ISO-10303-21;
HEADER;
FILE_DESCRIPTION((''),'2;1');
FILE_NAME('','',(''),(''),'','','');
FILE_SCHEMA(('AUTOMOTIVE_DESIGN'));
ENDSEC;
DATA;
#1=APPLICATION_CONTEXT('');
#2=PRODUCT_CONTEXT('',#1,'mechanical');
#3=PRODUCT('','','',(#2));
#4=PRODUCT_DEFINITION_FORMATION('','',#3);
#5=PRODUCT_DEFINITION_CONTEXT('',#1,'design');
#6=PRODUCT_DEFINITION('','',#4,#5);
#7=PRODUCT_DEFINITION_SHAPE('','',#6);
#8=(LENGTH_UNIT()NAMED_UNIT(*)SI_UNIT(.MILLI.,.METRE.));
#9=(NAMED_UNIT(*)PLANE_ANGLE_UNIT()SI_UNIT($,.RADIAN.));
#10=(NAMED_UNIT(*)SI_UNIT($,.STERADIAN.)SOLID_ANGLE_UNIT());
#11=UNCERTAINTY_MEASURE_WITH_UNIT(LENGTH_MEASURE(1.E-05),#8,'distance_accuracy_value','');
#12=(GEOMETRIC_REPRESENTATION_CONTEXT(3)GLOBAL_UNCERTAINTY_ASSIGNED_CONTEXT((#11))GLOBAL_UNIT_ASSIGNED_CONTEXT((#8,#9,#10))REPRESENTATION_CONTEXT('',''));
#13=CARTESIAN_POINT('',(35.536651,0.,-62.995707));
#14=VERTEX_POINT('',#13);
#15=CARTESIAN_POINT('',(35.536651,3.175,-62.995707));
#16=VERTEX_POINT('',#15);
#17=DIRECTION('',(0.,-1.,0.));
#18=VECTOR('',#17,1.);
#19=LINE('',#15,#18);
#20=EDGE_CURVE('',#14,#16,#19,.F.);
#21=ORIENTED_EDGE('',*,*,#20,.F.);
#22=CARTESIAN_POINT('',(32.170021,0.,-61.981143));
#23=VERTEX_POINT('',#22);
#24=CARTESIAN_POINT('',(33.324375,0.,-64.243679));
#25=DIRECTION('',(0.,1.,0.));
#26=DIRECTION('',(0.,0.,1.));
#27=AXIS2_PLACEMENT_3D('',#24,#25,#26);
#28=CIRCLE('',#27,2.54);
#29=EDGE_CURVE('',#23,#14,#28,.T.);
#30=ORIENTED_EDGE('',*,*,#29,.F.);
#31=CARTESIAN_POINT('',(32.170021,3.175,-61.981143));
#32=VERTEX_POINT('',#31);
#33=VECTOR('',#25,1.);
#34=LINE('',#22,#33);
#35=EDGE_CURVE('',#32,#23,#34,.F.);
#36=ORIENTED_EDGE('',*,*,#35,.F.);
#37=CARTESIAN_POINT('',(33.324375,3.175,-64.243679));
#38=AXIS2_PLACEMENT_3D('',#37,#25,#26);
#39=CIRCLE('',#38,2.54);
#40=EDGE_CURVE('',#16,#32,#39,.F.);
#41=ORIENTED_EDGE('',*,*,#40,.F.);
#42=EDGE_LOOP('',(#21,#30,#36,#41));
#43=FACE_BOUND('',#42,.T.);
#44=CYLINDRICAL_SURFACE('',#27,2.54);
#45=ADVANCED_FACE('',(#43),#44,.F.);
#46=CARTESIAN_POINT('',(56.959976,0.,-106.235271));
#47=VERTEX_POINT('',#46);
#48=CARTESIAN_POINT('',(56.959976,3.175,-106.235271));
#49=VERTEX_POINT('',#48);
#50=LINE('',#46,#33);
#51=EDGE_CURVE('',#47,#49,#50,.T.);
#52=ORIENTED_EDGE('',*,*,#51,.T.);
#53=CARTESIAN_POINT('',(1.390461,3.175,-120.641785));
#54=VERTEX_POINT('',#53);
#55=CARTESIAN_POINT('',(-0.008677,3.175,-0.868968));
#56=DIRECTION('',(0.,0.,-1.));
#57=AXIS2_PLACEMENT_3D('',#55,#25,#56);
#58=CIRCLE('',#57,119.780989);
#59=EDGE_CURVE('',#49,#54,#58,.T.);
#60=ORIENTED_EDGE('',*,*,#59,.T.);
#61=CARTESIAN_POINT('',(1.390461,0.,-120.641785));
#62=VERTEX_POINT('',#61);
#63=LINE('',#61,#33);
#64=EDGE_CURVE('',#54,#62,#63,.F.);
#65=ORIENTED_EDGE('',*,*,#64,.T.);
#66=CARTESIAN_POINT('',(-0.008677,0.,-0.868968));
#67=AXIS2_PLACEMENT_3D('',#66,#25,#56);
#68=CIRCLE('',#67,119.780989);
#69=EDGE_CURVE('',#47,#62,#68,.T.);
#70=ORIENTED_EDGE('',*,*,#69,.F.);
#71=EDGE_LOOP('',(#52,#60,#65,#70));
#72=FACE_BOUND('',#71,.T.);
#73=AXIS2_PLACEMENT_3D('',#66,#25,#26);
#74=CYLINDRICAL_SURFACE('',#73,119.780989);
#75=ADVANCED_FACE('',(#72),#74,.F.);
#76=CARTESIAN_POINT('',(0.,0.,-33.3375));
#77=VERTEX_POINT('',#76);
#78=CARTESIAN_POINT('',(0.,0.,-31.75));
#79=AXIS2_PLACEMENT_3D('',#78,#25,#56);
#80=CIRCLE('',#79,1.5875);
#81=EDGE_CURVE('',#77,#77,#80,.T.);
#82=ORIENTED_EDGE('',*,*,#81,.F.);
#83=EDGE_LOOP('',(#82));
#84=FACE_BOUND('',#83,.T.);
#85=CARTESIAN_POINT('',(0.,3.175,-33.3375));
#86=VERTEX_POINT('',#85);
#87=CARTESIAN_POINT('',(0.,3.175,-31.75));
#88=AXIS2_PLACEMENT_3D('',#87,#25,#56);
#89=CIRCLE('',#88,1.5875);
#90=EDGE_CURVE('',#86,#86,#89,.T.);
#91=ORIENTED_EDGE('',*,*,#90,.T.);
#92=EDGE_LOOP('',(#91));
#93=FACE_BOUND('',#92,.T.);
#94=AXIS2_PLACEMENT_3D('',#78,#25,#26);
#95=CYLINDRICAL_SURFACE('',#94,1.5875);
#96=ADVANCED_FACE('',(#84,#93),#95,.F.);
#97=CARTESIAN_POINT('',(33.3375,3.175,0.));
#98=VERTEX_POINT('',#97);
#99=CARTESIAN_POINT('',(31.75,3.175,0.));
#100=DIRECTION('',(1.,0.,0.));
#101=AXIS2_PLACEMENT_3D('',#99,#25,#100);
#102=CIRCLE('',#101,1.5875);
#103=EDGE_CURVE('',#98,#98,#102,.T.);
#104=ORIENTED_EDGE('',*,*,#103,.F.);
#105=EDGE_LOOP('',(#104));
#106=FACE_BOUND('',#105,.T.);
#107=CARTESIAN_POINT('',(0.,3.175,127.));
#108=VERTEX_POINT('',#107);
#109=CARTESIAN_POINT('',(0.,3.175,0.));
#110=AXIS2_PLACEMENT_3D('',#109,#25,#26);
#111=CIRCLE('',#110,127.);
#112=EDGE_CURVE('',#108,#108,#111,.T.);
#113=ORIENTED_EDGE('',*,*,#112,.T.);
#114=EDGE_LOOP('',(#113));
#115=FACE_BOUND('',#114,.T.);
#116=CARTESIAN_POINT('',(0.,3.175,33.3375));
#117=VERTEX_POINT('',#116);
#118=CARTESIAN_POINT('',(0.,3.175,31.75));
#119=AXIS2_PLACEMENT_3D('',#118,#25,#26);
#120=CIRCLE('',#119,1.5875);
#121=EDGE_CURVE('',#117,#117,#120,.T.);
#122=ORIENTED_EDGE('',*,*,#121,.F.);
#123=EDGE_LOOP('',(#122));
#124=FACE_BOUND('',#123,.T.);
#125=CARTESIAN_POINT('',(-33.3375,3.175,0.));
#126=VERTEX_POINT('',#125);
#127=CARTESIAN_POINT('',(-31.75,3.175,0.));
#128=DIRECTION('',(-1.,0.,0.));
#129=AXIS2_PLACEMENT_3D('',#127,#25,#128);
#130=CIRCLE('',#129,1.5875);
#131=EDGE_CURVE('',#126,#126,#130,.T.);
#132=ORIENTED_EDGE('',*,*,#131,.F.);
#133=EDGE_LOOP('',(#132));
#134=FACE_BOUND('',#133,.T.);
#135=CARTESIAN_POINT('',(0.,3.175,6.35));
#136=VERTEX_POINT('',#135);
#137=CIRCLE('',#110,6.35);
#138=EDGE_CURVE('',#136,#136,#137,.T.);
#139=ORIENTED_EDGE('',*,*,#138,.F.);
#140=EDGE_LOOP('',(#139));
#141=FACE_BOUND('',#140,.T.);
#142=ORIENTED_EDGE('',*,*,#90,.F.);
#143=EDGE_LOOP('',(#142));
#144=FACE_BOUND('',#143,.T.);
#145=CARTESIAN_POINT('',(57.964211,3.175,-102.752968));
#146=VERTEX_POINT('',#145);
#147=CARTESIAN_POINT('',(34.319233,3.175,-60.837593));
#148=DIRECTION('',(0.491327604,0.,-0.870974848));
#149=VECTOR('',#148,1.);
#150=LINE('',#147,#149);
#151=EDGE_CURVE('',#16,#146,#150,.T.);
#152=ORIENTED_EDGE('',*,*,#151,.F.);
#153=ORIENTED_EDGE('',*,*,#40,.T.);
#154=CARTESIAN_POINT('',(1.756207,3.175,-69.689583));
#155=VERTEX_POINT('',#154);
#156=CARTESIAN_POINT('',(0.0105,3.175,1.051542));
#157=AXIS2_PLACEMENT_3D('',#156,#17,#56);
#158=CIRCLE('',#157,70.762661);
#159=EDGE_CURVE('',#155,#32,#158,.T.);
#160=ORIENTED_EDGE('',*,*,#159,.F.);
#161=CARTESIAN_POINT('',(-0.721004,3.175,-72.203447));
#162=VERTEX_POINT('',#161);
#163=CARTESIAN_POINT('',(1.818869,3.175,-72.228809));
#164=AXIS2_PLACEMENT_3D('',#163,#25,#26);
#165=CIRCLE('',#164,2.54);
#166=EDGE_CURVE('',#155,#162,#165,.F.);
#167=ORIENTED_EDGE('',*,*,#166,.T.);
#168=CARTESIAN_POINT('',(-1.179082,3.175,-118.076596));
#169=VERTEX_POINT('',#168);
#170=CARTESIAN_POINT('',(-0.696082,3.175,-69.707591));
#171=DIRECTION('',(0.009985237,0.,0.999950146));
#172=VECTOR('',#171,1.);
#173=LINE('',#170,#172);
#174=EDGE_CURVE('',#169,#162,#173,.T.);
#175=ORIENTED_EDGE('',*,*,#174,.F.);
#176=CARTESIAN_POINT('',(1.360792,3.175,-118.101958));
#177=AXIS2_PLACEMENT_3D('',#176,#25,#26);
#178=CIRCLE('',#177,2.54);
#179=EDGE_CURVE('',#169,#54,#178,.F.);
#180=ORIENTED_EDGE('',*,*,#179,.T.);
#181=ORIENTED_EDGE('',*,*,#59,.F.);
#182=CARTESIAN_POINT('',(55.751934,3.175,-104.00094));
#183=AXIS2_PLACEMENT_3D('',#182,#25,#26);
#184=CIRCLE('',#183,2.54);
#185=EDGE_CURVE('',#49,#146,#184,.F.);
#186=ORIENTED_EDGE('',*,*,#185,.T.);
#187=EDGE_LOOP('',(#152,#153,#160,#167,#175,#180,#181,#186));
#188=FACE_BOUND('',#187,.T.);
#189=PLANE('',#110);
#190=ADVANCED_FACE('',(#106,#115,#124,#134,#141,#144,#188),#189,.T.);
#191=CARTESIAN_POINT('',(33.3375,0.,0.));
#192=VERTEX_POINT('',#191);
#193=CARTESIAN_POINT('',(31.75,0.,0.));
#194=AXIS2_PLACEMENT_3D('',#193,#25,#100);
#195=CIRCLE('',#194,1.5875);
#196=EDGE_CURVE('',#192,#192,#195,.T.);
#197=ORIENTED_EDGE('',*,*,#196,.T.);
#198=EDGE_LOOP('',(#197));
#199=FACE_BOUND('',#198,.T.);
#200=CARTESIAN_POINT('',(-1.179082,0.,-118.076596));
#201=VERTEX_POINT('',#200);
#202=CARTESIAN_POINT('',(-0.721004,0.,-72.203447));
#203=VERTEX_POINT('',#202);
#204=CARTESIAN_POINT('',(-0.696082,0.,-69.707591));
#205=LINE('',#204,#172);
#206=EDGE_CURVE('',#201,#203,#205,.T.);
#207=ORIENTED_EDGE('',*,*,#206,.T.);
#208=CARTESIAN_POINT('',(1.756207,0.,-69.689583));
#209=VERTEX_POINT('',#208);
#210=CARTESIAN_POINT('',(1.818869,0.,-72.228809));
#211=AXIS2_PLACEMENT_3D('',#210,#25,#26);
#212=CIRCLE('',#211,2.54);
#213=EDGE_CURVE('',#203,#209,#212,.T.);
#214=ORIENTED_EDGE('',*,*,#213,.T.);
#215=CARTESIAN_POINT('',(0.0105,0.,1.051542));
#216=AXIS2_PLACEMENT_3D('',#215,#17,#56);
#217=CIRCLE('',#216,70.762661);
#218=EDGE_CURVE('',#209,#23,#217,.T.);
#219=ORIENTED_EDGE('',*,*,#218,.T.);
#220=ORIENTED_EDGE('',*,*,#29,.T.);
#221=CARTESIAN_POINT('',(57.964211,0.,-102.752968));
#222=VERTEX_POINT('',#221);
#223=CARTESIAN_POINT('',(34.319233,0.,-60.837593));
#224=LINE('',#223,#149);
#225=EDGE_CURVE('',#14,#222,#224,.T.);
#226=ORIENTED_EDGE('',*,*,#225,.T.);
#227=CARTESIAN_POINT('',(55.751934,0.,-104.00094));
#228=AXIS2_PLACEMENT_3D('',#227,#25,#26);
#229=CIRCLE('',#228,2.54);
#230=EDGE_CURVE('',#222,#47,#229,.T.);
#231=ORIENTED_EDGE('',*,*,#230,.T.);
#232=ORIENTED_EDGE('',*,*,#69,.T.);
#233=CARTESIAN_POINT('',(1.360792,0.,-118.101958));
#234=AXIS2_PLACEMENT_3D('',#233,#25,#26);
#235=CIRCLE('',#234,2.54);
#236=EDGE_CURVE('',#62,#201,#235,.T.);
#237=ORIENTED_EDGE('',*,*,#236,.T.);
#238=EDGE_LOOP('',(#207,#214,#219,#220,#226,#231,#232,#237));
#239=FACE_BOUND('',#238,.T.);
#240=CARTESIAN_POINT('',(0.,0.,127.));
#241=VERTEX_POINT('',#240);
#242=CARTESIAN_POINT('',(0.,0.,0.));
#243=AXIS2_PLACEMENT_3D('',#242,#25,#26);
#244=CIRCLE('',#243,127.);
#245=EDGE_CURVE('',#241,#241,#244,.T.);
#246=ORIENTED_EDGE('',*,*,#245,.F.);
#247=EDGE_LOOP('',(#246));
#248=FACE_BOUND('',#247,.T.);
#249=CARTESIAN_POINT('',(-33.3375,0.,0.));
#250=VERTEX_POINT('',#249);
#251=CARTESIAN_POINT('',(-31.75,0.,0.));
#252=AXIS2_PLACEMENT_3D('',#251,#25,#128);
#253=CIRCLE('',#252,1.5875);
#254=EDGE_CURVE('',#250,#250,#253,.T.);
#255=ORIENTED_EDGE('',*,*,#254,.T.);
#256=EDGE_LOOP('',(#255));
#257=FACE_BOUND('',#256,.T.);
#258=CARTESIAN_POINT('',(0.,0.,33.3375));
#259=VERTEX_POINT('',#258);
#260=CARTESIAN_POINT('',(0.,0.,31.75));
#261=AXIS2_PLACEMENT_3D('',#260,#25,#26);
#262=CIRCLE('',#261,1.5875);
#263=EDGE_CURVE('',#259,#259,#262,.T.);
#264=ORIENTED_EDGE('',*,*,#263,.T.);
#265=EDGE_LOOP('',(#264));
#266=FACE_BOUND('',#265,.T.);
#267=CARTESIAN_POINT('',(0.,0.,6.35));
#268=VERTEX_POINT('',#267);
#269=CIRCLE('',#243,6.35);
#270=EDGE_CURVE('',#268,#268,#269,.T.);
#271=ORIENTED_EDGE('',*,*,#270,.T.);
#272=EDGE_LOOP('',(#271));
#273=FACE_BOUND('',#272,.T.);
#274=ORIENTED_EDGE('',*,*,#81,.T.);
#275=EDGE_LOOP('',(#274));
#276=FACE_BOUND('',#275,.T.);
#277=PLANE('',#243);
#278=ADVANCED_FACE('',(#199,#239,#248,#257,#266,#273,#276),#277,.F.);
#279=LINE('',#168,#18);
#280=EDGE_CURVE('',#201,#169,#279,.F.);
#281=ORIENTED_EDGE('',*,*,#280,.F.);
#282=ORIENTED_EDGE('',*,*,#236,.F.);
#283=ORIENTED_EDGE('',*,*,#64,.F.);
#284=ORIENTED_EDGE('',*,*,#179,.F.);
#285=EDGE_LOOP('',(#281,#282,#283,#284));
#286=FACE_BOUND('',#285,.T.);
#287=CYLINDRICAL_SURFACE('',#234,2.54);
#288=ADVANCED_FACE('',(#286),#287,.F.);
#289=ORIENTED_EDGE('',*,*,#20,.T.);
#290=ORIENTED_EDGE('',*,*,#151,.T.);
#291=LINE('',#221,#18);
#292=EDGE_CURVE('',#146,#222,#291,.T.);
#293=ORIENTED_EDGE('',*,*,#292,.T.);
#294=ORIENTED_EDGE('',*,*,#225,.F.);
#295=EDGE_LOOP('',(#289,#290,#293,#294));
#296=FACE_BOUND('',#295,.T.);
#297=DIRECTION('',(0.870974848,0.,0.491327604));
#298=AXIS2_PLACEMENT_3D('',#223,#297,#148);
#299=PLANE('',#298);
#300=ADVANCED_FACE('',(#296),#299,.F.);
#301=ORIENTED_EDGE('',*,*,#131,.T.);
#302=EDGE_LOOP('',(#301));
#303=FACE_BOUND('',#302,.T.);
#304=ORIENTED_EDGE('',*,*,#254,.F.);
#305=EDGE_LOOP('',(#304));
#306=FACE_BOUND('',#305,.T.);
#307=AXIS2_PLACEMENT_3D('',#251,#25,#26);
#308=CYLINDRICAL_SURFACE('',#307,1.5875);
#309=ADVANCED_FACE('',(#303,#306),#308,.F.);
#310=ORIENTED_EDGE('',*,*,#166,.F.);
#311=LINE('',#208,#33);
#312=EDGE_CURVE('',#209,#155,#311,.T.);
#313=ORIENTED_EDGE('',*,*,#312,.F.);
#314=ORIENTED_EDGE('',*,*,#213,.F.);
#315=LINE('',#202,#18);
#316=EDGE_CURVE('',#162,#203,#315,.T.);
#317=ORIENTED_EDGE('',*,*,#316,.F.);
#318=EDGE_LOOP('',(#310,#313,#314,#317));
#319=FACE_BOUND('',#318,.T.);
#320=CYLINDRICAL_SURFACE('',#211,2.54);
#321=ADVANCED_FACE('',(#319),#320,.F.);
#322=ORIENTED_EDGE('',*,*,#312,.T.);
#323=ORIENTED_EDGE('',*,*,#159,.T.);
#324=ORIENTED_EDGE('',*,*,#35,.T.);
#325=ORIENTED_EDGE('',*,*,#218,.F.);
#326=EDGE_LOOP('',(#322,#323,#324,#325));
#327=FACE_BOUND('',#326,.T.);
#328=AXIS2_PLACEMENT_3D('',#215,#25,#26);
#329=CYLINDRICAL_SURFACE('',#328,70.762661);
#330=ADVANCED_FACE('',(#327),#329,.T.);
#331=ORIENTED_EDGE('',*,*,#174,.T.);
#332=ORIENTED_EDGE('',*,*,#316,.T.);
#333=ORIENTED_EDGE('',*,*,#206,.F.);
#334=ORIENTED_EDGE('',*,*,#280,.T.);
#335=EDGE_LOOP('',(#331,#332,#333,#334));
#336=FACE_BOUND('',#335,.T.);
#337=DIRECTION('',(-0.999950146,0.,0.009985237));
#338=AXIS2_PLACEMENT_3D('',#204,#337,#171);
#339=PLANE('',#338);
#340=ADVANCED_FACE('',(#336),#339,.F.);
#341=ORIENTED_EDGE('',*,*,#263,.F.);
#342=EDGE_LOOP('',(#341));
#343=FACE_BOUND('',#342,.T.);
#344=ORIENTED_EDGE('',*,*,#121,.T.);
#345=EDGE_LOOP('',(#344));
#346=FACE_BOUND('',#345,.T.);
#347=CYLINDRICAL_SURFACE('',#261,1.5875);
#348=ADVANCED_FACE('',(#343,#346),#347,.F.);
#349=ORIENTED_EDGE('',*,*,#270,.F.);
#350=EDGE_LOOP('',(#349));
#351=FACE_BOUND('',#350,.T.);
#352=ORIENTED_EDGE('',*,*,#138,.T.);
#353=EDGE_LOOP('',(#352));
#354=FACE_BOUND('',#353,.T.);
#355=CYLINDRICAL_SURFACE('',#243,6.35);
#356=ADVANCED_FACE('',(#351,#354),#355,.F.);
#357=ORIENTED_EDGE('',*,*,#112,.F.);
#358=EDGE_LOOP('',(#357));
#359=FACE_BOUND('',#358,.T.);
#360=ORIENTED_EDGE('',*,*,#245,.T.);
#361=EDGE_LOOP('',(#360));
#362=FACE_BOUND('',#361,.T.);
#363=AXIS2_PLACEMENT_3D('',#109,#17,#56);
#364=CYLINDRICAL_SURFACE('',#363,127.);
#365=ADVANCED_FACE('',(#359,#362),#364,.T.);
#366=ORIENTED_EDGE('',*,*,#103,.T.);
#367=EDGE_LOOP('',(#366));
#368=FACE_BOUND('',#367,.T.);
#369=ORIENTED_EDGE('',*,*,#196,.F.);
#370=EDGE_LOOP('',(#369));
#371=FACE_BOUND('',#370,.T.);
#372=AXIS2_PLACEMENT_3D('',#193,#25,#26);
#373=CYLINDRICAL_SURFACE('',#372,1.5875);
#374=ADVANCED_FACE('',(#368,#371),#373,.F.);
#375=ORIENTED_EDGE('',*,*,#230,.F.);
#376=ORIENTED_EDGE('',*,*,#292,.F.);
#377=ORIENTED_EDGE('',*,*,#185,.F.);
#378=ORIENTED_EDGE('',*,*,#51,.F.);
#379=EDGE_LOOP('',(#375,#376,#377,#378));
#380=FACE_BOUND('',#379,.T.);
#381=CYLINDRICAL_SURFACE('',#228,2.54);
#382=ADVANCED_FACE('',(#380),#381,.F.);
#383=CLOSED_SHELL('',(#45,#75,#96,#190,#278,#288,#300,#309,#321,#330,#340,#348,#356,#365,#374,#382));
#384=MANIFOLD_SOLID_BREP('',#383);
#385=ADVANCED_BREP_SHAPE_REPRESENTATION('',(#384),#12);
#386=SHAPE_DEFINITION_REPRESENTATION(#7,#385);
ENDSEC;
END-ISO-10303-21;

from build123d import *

# Parameters (mm, degrees)
SKETCH1_R           = 127
BOSS_EXTRUDE1_DEPTH = 3.175
SKETCH2_R           = 6.35
CUT_EXTRUDE1_DEPTH  = 180.63318353
CUT_EXTRUDE2_DEPTH  = 180.63318353
SKETCH4_R           = 1.5875
CUT_EXTRUDE3_DEPTH  = 180.63318353
CIRPATTERN1_COUNT   = 4
FILLET1_R           = 2.54


with BuildPart() as part:
    # Sketch1 → Boss-Extrude1 (new body)
    with BuildSketch(Plane(origin=(0, 0, 0), x_dir=(1, 0, 0), z_dir=(0, 1, 0))):
        with Locations(Location((0, 0, 0), (0, 0, 270))):
            Circle(SKETCH1_R)
    extrude(amount=BOSS_EXTRUDE1_DEPTH)

    # Sketch2 → Cut-Extrude1 (cut, through all)
    with BuildSketch(Plane(origin=(0, 3.175, 0), x_dir=(1, 0, 0), z_dir=(0, 1, 0))):
        with Locations(Location((0, 0, 0), (0, 0, 270))):
            Circle(SKETCH2_R)
    extrude(amount=-CUT_EXTRUDE1_DEPTH, mode=Mode.SUBTRACT)

    # Sketch3 → Cut-Extrude2 (cut, through all)
    with BuildSketch(Plane(origin=(0, 3.175, 0), x_dir=(1, 0, 0), z_dir=(0, 1, 0))):
        with BuildLine():
            Line((-0.69608151, 69.707591228), (-1.204718825, 120.643985149))
            ThreePointArc((-1.204718825, 120.643985149), (30.046443244, 116.817986877), (59.221085226, 104.981025331))
            Line((59.221085226, 104.981025331), (34.319233166, 60.837593106))
            ThreePointArc((34.319233166, 60.837593106), (17.387075213, 67.544440681), (-0.69608151, 69.707591228))
        make_face()
    extrude(amount=-CUT_EXTRUDE2_DEPTH, mode=Mode.SUBTRACT)

    # Sketch4 → Cut-Extrude3 (cut, through all)
    with BuildSketch(Plane(origin=(0, 3.175, 0), x_dir=(1, 0, 0), z_dir=(0, 1, 0))):
        with Locations(Location((0, -31.75, 0), (0, 0, 270))):
            Circle(SKETCH4_R)
    cut_extrude3 = extrude(amount=-CUT_EXTRUDE3_DEPTH, mode=Mode.SUBTRACT)

    # CirPattern1: Cut-Extrude3 ×4 about axis
    cirpattern1_axis = Axis((0, 0, 0), (0, 1, 0))
    for i in range(1, CIRPATTERN1_COUNT):
        add(cut_extrude3.rotate(cirpattern1_axis, i * 360 / CIRPATTERN1_COUNT), mode=Mode.SUBTRACT)

    # Fillet1
    fillet1_edges = [part.edges().sort_by_distance(p)[0] for p in [
        (34.319233166, 1.5875, -60.837593106),
        (-0.69608151, 1.5875, -69.707591228),
        (-1.204718825, 1.5875, -120.643985149),
        (59.221085226, 1.5875, -104.981025331),
    ]]
    fillet(fillet1_edges, radius=FILLET1_R)


solid = part.part
